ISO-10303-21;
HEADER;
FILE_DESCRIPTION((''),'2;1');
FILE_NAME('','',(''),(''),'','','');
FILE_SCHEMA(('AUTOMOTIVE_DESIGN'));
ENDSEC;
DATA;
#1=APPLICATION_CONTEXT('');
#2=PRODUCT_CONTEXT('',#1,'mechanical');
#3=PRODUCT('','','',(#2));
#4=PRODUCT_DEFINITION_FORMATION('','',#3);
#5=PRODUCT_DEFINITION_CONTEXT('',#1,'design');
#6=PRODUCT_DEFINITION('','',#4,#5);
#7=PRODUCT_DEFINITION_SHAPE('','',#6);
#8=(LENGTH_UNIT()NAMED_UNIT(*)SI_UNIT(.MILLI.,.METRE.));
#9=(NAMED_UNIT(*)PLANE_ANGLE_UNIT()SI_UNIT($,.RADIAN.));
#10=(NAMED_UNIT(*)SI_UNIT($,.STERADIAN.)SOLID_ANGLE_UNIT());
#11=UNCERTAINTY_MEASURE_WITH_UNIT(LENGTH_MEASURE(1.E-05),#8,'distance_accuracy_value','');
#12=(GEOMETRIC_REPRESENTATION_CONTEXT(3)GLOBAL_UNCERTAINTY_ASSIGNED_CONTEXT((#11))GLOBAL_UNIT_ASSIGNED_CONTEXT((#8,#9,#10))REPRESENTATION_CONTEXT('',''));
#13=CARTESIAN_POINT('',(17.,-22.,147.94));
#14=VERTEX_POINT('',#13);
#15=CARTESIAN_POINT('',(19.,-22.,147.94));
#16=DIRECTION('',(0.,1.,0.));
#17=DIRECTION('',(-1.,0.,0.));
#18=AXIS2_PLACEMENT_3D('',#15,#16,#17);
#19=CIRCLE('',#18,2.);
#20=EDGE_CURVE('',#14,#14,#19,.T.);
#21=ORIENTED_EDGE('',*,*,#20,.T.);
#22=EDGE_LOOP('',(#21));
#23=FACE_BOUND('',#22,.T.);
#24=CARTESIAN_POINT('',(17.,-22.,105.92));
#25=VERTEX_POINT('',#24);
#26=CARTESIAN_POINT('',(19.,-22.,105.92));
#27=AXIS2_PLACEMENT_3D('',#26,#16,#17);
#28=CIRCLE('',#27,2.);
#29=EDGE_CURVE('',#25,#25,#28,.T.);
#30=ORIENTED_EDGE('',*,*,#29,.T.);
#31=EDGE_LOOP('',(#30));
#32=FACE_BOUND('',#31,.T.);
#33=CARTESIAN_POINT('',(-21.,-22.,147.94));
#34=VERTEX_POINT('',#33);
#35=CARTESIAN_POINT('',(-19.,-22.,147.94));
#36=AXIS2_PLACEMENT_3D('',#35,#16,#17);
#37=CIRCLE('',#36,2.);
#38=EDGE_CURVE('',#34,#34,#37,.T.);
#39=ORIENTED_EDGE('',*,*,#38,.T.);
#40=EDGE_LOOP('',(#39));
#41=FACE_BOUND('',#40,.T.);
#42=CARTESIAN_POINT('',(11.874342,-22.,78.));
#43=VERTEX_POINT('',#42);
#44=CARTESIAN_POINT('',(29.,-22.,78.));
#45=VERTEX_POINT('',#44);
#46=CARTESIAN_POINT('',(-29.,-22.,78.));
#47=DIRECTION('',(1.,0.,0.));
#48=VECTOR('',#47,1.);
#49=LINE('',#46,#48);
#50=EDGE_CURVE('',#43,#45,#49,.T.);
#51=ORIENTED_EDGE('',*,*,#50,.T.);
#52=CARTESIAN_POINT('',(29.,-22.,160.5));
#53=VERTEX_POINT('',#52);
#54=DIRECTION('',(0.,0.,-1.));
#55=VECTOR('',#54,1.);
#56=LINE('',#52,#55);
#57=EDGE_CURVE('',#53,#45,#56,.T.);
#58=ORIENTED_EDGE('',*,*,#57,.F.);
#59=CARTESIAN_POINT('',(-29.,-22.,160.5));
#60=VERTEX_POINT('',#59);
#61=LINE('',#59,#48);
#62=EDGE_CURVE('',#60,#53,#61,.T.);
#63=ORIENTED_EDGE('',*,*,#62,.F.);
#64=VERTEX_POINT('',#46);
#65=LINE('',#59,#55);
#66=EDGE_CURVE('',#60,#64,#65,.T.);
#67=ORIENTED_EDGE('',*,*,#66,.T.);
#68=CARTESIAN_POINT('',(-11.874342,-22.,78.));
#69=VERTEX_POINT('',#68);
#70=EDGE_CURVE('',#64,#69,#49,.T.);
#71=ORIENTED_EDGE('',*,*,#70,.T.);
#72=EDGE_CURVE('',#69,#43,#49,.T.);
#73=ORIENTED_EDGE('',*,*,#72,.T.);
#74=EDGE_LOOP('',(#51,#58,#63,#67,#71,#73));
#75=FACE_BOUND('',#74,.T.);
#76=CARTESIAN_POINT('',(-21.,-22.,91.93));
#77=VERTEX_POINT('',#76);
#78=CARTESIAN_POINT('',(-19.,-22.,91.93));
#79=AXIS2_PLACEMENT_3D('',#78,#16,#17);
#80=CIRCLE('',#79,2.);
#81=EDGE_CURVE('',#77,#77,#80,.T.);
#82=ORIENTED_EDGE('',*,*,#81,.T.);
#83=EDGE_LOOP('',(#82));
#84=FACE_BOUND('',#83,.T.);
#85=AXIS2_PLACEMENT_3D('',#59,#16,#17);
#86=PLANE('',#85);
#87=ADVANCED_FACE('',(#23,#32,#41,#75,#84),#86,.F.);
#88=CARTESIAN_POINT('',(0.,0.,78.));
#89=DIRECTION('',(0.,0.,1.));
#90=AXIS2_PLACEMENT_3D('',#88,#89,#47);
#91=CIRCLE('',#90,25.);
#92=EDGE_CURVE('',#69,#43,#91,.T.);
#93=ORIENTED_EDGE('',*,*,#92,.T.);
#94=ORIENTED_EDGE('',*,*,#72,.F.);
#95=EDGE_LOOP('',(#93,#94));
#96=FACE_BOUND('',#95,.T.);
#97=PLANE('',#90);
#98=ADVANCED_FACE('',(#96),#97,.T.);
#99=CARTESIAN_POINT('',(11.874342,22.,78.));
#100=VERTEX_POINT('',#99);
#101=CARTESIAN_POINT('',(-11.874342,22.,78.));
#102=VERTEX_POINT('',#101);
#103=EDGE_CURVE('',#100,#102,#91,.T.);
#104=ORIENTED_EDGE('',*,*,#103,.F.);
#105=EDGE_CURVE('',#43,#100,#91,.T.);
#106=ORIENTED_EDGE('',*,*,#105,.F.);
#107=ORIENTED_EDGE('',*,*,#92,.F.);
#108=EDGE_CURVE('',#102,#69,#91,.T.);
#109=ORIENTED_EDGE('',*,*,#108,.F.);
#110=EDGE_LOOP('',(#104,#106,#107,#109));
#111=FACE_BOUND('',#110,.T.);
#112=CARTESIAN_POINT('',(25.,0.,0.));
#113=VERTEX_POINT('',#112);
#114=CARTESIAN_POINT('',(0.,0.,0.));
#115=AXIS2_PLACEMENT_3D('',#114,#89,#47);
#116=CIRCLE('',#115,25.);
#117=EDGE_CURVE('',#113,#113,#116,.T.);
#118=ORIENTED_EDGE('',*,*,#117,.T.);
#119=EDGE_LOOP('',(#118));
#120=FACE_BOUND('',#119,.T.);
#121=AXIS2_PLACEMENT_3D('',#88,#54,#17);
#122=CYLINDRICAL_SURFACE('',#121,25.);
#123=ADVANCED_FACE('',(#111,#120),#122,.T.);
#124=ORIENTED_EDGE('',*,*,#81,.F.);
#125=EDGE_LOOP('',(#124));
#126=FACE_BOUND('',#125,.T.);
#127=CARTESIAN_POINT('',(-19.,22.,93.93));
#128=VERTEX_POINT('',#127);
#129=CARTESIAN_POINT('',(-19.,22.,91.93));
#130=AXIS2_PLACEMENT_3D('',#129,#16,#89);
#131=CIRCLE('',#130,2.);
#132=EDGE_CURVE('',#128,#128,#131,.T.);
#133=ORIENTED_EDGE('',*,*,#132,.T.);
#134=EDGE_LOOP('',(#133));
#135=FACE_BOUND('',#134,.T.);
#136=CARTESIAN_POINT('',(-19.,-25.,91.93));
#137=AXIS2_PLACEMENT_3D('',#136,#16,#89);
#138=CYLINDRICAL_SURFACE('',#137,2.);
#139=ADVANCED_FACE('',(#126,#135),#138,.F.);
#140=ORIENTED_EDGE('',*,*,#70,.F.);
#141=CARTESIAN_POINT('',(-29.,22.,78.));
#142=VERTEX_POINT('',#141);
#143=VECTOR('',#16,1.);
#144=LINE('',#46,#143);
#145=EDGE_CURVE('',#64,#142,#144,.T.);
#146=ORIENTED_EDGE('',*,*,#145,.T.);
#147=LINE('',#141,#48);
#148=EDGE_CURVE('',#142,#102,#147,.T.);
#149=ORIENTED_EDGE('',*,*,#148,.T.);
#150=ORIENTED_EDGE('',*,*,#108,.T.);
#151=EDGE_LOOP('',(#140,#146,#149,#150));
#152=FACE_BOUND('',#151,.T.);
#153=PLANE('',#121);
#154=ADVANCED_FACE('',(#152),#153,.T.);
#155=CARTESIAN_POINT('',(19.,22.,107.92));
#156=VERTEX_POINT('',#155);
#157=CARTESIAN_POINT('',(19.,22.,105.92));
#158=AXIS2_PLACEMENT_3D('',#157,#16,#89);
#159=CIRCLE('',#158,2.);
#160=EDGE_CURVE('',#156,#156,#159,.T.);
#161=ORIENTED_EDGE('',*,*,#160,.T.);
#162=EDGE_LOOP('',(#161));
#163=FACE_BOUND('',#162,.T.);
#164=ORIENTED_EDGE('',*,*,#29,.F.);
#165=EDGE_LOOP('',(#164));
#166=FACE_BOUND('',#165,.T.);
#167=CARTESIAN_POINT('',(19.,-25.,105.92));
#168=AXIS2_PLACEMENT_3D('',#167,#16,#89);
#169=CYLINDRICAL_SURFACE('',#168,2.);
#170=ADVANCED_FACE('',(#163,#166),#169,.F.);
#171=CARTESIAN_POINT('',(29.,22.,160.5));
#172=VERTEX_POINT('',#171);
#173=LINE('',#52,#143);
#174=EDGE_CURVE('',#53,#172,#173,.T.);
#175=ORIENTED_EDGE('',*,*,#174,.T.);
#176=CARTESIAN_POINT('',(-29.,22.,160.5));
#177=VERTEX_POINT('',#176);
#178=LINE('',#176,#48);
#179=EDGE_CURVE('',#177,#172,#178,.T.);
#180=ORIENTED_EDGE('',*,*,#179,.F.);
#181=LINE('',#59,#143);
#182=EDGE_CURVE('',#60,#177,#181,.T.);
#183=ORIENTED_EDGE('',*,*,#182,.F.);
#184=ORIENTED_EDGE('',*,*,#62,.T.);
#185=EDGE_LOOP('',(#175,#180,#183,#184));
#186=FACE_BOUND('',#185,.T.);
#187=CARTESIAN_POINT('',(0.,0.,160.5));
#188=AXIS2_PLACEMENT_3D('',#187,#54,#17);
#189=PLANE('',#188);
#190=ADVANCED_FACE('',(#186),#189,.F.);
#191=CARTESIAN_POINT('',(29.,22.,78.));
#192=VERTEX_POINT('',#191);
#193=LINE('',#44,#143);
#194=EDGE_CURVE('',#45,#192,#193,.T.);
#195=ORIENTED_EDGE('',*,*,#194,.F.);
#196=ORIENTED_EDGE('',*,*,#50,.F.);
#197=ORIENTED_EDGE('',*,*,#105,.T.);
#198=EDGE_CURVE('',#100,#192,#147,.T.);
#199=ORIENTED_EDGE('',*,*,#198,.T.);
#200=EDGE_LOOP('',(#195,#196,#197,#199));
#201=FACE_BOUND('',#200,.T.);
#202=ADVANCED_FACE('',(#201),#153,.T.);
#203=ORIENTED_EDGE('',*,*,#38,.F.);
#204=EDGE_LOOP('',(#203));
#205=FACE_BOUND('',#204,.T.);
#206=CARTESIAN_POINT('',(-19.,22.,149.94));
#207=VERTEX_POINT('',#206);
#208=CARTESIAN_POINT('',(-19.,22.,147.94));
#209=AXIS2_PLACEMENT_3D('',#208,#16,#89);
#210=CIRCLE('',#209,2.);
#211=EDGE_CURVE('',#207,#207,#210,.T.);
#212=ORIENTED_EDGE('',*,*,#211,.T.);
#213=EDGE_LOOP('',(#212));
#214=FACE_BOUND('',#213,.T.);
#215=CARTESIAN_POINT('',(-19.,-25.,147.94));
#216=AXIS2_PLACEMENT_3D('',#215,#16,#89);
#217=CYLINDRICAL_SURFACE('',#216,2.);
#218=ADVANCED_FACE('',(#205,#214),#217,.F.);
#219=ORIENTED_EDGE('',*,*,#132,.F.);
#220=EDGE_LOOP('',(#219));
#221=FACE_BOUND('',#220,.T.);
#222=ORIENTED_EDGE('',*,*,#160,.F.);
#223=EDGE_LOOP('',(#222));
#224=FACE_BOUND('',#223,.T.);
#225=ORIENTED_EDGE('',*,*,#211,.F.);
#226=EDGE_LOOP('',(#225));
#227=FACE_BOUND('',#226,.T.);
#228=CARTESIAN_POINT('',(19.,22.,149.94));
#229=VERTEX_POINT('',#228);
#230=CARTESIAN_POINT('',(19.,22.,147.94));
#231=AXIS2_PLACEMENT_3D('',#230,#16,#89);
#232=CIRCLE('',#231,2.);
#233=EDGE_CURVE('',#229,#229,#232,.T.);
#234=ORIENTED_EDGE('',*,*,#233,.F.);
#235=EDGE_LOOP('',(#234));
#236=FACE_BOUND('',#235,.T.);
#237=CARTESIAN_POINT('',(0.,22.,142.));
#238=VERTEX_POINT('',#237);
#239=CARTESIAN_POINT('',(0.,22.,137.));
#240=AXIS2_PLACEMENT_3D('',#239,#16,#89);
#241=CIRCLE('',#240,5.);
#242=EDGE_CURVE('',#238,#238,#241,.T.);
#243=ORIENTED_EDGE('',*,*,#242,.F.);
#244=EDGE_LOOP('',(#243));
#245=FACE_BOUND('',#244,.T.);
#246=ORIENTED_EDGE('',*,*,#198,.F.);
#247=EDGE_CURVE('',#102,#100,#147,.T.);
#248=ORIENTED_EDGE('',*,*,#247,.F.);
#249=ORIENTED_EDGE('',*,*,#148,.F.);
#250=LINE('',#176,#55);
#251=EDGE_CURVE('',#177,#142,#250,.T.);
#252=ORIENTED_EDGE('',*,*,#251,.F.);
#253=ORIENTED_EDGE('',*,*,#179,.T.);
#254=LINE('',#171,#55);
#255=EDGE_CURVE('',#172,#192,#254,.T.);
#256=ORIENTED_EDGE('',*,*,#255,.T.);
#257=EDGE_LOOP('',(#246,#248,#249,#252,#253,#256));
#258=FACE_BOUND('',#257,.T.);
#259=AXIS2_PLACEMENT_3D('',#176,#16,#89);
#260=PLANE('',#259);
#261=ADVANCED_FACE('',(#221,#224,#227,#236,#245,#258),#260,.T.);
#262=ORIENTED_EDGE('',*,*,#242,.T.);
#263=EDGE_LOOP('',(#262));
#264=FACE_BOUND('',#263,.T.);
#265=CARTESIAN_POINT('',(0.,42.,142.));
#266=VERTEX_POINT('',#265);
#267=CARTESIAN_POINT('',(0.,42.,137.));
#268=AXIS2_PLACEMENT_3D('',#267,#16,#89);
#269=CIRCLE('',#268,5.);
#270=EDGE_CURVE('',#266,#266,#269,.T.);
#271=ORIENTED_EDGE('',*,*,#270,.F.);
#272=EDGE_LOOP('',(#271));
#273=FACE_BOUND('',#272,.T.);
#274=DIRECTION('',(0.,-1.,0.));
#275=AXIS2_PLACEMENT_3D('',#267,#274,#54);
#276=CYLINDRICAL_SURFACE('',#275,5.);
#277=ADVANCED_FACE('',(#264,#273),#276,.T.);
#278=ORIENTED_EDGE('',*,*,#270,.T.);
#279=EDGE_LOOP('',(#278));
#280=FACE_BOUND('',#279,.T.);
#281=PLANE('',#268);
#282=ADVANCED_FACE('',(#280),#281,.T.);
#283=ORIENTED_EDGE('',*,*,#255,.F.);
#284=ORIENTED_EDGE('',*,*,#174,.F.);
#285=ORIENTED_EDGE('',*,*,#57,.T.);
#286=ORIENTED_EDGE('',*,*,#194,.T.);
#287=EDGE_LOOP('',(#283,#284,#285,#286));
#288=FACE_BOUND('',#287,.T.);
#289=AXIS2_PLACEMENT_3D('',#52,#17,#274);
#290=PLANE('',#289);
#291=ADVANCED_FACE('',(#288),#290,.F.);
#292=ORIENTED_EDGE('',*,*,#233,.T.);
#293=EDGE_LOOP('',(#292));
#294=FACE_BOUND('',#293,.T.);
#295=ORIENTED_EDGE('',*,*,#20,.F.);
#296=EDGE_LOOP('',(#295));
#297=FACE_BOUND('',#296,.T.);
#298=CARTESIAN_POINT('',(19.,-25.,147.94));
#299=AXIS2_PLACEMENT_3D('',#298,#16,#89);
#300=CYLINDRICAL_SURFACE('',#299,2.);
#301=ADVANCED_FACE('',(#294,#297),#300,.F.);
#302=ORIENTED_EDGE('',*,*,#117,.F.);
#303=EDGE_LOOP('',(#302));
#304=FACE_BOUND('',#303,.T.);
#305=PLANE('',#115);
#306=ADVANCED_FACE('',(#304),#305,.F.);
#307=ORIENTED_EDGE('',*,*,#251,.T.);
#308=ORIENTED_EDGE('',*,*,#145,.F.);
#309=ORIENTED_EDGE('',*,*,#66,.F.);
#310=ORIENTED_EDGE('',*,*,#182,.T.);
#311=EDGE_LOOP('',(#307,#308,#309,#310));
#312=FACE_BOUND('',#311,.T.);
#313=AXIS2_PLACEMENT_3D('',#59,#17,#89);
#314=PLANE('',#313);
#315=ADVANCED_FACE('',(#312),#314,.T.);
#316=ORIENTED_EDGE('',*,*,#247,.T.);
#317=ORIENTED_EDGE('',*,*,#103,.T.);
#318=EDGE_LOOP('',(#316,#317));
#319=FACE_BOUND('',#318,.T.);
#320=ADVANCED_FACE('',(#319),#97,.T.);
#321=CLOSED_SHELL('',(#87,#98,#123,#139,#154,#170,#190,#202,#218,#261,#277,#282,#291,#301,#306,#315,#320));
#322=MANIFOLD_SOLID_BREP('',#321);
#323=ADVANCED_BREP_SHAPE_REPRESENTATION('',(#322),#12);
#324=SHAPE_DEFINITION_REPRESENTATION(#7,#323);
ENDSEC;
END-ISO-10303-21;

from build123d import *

# Parameters (mm, degrees)
SKETCH1_R           = 25
BOSS_EXTRUDE1_DEPTH = 78
SKETCH2_W           = 58
SKETCH2_H           = 44
BOSS_EXTRUDE2_DEPTH = 82.5
SKETCH3_R           = 5
BOSS_EXTRUDE3_DEPTH = 20
SKETCH4_R           = 2
CUT_EXTRUDE1_DEPTH  = 170.73582415


with BuildPart() as part:
    # Sketch1 → Boss-Extrude1 (new body)
    with BuildSketch(Plane.XY):
        Circle(SKETCH1_R)
    extrude(amount=BOSS_EXTRUDE1_DEPTH)

    # Sketch2 → Boss-Extrude2 (add)
    with BuildSketch(Plane.XY.offset(78)):
        Rectangle(SKETCH2_W, SKETCH2_H)
    extrude(amount=BOSS_EXTRUDE2_DEPTH)

    # Sketch3 → Boss-Extrude3 (add)
    with BuildSketch(Plane(origin=(0, 22, 0), x_dir=(1, 0, 0), z_dir=(0, 1, 0))):
        with Locations(Location((0, -137, 0), (0, 0, 270))):
            Circle(SKETCH3_R)
    extrude(amount=BOSS_EXTRUDE3_DEPTH)

    # Sketch4 → Cut-Extrude1 (cut, through all)
    with BuildSketch(Plane(origin=(0, 22, 0), x_dir=(1, 0, 0), z_dir=(0, 1, 0))):
        with Locations(Location((19, -147.94, 0), (0, 0, 270))):
            Circle(SKETCH4_R)
        with Locations(Location((19, -105.92, 0), (0, 0, 270))):
            Circle(SKETCH4_R)
        with Locations(Location((-19, -147.94, 0), (0, 0, 270))):
            Circle(SKETCH4_R)
        with Locations(Location((-19, -91.93, 0), (0, 0, 270))):
            Circle(SKETCH4_R)
    extrude(amount=-CUT_EXTRUDE1_DEPTH, mode=Mode.SUBTRACT)


solid = part.part
